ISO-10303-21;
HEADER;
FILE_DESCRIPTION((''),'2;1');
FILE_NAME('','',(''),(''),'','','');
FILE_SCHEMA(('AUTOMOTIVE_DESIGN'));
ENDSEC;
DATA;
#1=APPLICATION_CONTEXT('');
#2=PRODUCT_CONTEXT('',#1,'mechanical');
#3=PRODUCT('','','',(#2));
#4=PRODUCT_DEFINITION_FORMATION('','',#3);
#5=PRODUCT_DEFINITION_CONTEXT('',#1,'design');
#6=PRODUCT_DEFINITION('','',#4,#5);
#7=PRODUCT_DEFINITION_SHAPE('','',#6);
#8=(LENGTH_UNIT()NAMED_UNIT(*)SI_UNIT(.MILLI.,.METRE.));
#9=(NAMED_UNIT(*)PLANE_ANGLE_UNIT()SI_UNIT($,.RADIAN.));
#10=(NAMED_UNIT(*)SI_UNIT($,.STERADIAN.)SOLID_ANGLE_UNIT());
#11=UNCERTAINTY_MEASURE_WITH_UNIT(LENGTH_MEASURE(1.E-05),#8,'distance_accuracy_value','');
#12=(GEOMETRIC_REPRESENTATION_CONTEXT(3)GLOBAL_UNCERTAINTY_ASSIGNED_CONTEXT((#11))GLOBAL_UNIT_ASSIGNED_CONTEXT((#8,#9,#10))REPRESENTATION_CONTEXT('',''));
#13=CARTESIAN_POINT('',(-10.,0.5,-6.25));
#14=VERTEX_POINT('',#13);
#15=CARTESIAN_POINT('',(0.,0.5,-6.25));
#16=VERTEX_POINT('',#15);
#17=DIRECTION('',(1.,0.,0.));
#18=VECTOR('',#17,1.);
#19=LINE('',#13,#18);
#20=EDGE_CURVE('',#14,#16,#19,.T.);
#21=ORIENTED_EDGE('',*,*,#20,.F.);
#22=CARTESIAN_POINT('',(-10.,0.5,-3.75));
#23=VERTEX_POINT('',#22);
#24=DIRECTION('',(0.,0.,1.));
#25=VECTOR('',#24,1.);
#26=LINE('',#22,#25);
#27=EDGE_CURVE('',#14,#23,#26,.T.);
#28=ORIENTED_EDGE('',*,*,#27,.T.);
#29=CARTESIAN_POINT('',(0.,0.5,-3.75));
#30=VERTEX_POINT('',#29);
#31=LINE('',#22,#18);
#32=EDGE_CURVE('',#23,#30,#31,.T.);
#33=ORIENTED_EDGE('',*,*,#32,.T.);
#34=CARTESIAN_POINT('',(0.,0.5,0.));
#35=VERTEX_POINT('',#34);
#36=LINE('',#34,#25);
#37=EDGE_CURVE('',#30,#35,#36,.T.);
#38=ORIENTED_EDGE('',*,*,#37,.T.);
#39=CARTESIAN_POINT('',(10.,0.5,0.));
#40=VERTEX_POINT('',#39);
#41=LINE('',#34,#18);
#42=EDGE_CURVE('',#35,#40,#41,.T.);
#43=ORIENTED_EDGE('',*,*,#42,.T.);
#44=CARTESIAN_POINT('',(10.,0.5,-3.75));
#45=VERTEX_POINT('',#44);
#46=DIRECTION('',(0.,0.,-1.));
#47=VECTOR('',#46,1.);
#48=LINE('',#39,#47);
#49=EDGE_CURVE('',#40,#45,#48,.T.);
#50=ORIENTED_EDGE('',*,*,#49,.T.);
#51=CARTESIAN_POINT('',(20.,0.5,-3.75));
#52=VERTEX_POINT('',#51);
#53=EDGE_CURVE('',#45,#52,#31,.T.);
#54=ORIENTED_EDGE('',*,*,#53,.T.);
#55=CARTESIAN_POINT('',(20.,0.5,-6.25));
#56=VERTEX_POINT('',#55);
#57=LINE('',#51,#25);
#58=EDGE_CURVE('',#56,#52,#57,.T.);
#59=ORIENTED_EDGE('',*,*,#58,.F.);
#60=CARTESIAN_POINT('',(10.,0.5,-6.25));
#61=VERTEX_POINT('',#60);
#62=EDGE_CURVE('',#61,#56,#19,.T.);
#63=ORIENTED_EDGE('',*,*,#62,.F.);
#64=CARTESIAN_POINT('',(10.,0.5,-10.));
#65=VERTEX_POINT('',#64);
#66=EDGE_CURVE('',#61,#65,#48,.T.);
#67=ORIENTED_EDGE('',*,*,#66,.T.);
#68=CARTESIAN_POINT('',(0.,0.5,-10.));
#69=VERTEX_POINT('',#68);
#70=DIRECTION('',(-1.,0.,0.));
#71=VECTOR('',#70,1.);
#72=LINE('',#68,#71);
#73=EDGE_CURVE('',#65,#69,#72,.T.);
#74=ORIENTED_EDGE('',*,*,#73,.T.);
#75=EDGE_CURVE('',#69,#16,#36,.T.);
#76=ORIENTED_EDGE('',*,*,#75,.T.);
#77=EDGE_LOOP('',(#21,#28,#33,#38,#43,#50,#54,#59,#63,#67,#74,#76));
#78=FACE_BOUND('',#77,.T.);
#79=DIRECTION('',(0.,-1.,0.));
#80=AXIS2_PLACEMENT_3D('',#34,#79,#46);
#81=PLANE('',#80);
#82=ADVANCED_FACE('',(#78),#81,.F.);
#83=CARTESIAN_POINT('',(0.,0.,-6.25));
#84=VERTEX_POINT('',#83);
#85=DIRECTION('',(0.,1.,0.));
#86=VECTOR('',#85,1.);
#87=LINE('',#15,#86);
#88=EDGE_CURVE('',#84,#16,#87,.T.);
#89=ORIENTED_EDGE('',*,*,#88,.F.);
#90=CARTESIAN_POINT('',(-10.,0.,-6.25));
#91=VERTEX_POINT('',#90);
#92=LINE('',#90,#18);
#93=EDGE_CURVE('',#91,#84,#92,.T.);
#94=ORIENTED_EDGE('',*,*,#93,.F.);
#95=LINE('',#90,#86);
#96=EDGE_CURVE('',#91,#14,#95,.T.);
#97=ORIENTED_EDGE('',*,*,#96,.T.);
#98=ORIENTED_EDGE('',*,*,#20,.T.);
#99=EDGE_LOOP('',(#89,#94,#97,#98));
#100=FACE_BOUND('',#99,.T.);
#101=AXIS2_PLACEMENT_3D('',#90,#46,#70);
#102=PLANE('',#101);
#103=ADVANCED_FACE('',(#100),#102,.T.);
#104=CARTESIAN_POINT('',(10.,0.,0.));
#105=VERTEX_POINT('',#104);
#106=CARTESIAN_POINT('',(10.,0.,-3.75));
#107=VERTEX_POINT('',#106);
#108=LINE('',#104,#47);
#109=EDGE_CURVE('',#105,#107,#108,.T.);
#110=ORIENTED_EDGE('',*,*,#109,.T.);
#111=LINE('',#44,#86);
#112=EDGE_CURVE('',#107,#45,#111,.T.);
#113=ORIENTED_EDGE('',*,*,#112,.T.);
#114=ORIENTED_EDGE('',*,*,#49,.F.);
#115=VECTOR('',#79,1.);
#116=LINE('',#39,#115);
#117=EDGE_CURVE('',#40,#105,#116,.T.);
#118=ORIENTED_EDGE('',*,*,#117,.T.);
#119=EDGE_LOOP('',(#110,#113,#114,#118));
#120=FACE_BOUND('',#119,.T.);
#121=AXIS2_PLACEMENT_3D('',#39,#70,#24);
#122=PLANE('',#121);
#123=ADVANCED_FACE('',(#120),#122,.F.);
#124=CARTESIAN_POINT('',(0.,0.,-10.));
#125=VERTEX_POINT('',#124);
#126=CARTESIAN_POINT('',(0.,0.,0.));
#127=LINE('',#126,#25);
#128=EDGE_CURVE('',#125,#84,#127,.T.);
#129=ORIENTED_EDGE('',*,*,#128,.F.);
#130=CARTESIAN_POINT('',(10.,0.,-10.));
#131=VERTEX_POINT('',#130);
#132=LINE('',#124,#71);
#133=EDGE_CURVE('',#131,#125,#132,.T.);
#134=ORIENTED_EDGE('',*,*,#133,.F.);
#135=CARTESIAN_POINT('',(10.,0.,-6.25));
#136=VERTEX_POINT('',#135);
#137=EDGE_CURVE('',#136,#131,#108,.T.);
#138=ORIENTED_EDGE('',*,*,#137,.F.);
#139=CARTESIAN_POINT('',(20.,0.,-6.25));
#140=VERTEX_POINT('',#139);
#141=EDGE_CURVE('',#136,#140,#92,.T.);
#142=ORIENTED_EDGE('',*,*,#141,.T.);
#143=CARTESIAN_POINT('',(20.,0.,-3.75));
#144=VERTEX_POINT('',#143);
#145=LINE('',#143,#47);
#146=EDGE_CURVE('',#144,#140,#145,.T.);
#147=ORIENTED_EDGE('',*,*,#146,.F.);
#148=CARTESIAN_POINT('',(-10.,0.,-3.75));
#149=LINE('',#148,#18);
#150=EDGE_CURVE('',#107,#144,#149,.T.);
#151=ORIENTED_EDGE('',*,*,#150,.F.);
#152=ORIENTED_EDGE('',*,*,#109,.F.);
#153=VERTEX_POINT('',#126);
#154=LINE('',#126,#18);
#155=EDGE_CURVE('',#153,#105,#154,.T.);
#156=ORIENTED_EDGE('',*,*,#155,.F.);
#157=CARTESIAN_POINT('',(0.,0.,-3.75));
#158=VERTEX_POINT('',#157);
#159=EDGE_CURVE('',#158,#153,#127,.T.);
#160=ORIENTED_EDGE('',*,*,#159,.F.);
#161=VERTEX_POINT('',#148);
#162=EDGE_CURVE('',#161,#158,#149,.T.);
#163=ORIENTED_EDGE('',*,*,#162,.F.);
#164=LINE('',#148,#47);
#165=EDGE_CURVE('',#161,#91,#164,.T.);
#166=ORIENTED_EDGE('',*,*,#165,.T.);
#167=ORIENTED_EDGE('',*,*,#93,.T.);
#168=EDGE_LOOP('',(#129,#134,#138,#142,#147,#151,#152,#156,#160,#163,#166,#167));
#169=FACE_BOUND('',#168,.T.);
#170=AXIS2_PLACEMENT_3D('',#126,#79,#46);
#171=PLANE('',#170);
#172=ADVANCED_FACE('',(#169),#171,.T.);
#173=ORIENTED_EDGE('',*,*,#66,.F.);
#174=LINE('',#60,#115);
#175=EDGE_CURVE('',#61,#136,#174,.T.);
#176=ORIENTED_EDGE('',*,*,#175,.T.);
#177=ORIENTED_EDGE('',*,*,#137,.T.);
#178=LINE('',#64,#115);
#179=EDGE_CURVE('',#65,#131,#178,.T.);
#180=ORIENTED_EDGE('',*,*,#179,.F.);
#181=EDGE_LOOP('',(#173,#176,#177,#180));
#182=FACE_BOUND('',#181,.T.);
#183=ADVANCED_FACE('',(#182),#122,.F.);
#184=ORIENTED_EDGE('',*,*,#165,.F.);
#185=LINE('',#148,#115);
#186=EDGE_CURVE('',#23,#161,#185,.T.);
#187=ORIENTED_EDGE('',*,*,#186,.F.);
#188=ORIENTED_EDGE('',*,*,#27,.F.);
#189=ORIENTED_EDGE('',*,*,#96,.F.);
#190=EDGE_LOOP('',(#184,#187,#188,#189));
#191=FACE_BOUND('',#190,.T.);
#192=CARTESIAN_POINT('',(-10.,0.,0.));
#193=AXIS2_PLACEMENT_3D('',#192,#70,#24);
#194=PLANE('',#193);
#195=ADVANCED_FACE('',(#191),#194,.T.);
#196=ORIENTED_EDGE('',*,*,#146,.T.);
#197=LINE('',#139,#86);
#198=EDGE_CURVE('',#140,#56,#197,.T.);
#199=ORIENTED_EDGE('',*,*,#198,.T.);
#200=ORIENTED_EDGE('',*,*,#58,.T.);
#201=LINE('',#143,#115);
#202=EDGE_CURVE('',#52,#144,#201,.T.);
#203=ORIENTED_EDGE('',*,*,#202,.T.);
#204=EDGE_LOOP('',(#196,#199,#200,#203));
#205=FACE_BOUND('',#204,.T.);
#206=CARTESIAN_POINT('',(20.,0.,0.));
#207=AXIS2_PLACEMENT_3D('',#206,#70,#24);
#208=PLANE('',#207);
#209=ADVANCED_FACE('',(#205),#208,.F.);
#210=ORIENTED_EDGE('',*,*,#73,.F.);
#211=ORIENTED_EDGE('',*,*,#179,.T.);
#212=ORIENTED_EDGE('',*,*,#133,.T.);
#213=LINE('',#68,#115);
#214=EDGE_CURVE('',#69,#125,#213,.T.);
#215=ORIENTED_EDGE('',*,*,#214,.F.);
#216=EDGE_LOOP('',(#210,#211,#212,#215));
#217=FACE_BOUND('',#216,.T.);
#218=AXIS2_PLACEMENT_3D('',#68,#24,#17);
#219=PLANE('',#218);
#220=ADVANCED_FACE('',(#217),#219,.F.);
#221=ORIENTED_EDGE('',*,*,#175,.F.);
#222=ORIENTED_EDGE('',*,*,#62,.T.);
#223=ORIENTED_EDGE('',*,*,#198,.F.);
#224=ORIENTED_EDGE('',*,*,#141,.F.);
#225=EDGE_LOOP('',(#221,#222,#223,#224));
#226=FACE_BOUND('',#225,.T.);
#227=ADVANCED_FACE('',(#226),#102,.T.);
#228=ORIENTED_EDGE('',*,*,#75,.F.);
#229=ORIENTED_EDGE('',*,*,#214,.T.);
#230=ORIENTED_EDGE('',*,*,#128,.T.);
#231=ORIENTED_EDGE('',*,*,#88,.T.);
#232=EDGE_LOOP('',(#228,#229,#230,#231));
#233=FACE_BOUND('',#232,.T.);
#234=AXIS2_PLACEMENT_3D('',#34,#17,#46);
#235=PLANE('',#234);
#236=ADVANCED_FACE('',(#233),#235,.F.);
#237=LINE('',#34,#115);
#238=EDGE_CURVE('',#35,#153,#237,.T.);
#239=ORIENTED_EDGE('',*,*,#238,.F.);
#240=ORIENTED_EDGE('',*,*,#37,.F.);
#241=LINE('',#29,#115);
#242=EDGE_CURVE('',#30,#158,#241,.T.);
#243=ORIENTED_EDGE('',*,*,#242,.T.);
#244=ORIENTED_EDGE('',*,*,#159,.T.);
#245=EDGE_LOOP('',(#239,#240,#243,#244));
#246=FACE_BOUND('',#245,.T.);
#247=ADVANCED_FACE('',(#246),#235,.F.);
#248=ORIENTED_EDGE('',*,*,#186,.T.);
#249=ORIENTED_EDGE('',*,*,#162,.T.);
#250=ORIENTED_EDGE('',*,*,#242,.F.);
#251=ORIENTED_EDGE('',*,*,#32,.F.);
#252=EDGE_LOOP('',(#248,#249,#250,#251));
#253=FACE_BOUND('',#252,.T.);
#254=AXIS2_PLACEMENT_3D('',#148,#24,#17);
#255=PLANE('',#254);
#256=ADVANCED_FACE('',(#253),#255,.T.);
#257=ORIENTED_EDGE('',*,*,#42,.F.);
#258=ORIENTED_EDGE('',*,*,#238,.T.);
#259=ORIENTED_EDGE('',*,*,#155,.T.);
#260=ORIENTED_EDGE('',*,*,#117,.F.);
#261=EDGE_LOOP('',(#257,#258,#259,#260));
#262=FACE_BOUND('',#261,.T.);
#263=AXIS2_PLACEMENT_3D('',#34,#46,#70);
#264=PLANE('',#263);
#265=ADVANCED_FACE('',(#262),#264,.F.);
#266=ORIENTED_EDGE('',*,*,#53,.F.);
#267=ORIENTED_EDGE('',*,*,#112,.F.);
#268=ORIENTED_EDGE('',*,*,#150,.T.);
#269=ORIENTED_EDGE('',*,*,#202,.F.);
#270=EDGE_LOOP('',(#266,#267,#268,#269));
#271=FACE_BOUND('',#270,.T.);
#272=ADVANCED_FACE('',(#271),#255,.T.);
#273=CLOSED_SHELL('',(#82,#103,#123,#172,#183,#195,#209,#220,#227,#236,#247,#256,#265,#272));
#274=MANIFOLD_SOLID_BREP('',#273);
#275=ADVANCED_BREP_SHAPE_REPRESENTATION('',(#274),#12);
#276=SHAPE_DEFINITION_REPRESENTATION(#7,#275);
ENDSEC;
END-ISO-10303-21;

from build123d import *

# Parameters (mm, degrees)
CROQUIS1_W                   = 10
CROQUIS1_H                   = 10
SALIENTE_EXTRUIR1_DEPTH      = 0.5
SALIENTE_EXTRUIR2_DEPTH      = 10
SALIENTE_EXTRUIR2_DEPTH_BACK = 20
CROQUIS2_W                   = 2.5
CROQUIS2_H                   = 0.5


with BuildPart() as part:
    # Croquis1 → Saliente-Extruir1 (new body)
    with BuildSketch(Plane(origin=(0, 0, 0), x_dir=(1, 0, 0), z_dir=(0, 1, 0))):
        with Locations((5, 5)):
            Rectangle(CROQUIS1_W, CROQUIS1_H)
    extrude(amount=SALIENTE_EXTRUIR1_DEPTH)

    # Croquis2 → Saliente-Extruir2 (add, two sides: drawn at the far end of the back side and taken through both)
    with BuildSketch(Plane(origin=(10, 0, 0), x_dir=(0, 0, -1), z_dir=(1, 0, 0)).offset(-SALIENTE_EXTRUIR2_DEPTH_BACK)):
        with Locations((5, 0.25)):
            Rectangle(CROQUIS2_W, CROQUIS2_H)
    extrude(amount=SALIENTE_EXTRUIR2_DEPTH + SALIENTE_EXTRUIR2_DEPTH_BACK)


solid = part.part
